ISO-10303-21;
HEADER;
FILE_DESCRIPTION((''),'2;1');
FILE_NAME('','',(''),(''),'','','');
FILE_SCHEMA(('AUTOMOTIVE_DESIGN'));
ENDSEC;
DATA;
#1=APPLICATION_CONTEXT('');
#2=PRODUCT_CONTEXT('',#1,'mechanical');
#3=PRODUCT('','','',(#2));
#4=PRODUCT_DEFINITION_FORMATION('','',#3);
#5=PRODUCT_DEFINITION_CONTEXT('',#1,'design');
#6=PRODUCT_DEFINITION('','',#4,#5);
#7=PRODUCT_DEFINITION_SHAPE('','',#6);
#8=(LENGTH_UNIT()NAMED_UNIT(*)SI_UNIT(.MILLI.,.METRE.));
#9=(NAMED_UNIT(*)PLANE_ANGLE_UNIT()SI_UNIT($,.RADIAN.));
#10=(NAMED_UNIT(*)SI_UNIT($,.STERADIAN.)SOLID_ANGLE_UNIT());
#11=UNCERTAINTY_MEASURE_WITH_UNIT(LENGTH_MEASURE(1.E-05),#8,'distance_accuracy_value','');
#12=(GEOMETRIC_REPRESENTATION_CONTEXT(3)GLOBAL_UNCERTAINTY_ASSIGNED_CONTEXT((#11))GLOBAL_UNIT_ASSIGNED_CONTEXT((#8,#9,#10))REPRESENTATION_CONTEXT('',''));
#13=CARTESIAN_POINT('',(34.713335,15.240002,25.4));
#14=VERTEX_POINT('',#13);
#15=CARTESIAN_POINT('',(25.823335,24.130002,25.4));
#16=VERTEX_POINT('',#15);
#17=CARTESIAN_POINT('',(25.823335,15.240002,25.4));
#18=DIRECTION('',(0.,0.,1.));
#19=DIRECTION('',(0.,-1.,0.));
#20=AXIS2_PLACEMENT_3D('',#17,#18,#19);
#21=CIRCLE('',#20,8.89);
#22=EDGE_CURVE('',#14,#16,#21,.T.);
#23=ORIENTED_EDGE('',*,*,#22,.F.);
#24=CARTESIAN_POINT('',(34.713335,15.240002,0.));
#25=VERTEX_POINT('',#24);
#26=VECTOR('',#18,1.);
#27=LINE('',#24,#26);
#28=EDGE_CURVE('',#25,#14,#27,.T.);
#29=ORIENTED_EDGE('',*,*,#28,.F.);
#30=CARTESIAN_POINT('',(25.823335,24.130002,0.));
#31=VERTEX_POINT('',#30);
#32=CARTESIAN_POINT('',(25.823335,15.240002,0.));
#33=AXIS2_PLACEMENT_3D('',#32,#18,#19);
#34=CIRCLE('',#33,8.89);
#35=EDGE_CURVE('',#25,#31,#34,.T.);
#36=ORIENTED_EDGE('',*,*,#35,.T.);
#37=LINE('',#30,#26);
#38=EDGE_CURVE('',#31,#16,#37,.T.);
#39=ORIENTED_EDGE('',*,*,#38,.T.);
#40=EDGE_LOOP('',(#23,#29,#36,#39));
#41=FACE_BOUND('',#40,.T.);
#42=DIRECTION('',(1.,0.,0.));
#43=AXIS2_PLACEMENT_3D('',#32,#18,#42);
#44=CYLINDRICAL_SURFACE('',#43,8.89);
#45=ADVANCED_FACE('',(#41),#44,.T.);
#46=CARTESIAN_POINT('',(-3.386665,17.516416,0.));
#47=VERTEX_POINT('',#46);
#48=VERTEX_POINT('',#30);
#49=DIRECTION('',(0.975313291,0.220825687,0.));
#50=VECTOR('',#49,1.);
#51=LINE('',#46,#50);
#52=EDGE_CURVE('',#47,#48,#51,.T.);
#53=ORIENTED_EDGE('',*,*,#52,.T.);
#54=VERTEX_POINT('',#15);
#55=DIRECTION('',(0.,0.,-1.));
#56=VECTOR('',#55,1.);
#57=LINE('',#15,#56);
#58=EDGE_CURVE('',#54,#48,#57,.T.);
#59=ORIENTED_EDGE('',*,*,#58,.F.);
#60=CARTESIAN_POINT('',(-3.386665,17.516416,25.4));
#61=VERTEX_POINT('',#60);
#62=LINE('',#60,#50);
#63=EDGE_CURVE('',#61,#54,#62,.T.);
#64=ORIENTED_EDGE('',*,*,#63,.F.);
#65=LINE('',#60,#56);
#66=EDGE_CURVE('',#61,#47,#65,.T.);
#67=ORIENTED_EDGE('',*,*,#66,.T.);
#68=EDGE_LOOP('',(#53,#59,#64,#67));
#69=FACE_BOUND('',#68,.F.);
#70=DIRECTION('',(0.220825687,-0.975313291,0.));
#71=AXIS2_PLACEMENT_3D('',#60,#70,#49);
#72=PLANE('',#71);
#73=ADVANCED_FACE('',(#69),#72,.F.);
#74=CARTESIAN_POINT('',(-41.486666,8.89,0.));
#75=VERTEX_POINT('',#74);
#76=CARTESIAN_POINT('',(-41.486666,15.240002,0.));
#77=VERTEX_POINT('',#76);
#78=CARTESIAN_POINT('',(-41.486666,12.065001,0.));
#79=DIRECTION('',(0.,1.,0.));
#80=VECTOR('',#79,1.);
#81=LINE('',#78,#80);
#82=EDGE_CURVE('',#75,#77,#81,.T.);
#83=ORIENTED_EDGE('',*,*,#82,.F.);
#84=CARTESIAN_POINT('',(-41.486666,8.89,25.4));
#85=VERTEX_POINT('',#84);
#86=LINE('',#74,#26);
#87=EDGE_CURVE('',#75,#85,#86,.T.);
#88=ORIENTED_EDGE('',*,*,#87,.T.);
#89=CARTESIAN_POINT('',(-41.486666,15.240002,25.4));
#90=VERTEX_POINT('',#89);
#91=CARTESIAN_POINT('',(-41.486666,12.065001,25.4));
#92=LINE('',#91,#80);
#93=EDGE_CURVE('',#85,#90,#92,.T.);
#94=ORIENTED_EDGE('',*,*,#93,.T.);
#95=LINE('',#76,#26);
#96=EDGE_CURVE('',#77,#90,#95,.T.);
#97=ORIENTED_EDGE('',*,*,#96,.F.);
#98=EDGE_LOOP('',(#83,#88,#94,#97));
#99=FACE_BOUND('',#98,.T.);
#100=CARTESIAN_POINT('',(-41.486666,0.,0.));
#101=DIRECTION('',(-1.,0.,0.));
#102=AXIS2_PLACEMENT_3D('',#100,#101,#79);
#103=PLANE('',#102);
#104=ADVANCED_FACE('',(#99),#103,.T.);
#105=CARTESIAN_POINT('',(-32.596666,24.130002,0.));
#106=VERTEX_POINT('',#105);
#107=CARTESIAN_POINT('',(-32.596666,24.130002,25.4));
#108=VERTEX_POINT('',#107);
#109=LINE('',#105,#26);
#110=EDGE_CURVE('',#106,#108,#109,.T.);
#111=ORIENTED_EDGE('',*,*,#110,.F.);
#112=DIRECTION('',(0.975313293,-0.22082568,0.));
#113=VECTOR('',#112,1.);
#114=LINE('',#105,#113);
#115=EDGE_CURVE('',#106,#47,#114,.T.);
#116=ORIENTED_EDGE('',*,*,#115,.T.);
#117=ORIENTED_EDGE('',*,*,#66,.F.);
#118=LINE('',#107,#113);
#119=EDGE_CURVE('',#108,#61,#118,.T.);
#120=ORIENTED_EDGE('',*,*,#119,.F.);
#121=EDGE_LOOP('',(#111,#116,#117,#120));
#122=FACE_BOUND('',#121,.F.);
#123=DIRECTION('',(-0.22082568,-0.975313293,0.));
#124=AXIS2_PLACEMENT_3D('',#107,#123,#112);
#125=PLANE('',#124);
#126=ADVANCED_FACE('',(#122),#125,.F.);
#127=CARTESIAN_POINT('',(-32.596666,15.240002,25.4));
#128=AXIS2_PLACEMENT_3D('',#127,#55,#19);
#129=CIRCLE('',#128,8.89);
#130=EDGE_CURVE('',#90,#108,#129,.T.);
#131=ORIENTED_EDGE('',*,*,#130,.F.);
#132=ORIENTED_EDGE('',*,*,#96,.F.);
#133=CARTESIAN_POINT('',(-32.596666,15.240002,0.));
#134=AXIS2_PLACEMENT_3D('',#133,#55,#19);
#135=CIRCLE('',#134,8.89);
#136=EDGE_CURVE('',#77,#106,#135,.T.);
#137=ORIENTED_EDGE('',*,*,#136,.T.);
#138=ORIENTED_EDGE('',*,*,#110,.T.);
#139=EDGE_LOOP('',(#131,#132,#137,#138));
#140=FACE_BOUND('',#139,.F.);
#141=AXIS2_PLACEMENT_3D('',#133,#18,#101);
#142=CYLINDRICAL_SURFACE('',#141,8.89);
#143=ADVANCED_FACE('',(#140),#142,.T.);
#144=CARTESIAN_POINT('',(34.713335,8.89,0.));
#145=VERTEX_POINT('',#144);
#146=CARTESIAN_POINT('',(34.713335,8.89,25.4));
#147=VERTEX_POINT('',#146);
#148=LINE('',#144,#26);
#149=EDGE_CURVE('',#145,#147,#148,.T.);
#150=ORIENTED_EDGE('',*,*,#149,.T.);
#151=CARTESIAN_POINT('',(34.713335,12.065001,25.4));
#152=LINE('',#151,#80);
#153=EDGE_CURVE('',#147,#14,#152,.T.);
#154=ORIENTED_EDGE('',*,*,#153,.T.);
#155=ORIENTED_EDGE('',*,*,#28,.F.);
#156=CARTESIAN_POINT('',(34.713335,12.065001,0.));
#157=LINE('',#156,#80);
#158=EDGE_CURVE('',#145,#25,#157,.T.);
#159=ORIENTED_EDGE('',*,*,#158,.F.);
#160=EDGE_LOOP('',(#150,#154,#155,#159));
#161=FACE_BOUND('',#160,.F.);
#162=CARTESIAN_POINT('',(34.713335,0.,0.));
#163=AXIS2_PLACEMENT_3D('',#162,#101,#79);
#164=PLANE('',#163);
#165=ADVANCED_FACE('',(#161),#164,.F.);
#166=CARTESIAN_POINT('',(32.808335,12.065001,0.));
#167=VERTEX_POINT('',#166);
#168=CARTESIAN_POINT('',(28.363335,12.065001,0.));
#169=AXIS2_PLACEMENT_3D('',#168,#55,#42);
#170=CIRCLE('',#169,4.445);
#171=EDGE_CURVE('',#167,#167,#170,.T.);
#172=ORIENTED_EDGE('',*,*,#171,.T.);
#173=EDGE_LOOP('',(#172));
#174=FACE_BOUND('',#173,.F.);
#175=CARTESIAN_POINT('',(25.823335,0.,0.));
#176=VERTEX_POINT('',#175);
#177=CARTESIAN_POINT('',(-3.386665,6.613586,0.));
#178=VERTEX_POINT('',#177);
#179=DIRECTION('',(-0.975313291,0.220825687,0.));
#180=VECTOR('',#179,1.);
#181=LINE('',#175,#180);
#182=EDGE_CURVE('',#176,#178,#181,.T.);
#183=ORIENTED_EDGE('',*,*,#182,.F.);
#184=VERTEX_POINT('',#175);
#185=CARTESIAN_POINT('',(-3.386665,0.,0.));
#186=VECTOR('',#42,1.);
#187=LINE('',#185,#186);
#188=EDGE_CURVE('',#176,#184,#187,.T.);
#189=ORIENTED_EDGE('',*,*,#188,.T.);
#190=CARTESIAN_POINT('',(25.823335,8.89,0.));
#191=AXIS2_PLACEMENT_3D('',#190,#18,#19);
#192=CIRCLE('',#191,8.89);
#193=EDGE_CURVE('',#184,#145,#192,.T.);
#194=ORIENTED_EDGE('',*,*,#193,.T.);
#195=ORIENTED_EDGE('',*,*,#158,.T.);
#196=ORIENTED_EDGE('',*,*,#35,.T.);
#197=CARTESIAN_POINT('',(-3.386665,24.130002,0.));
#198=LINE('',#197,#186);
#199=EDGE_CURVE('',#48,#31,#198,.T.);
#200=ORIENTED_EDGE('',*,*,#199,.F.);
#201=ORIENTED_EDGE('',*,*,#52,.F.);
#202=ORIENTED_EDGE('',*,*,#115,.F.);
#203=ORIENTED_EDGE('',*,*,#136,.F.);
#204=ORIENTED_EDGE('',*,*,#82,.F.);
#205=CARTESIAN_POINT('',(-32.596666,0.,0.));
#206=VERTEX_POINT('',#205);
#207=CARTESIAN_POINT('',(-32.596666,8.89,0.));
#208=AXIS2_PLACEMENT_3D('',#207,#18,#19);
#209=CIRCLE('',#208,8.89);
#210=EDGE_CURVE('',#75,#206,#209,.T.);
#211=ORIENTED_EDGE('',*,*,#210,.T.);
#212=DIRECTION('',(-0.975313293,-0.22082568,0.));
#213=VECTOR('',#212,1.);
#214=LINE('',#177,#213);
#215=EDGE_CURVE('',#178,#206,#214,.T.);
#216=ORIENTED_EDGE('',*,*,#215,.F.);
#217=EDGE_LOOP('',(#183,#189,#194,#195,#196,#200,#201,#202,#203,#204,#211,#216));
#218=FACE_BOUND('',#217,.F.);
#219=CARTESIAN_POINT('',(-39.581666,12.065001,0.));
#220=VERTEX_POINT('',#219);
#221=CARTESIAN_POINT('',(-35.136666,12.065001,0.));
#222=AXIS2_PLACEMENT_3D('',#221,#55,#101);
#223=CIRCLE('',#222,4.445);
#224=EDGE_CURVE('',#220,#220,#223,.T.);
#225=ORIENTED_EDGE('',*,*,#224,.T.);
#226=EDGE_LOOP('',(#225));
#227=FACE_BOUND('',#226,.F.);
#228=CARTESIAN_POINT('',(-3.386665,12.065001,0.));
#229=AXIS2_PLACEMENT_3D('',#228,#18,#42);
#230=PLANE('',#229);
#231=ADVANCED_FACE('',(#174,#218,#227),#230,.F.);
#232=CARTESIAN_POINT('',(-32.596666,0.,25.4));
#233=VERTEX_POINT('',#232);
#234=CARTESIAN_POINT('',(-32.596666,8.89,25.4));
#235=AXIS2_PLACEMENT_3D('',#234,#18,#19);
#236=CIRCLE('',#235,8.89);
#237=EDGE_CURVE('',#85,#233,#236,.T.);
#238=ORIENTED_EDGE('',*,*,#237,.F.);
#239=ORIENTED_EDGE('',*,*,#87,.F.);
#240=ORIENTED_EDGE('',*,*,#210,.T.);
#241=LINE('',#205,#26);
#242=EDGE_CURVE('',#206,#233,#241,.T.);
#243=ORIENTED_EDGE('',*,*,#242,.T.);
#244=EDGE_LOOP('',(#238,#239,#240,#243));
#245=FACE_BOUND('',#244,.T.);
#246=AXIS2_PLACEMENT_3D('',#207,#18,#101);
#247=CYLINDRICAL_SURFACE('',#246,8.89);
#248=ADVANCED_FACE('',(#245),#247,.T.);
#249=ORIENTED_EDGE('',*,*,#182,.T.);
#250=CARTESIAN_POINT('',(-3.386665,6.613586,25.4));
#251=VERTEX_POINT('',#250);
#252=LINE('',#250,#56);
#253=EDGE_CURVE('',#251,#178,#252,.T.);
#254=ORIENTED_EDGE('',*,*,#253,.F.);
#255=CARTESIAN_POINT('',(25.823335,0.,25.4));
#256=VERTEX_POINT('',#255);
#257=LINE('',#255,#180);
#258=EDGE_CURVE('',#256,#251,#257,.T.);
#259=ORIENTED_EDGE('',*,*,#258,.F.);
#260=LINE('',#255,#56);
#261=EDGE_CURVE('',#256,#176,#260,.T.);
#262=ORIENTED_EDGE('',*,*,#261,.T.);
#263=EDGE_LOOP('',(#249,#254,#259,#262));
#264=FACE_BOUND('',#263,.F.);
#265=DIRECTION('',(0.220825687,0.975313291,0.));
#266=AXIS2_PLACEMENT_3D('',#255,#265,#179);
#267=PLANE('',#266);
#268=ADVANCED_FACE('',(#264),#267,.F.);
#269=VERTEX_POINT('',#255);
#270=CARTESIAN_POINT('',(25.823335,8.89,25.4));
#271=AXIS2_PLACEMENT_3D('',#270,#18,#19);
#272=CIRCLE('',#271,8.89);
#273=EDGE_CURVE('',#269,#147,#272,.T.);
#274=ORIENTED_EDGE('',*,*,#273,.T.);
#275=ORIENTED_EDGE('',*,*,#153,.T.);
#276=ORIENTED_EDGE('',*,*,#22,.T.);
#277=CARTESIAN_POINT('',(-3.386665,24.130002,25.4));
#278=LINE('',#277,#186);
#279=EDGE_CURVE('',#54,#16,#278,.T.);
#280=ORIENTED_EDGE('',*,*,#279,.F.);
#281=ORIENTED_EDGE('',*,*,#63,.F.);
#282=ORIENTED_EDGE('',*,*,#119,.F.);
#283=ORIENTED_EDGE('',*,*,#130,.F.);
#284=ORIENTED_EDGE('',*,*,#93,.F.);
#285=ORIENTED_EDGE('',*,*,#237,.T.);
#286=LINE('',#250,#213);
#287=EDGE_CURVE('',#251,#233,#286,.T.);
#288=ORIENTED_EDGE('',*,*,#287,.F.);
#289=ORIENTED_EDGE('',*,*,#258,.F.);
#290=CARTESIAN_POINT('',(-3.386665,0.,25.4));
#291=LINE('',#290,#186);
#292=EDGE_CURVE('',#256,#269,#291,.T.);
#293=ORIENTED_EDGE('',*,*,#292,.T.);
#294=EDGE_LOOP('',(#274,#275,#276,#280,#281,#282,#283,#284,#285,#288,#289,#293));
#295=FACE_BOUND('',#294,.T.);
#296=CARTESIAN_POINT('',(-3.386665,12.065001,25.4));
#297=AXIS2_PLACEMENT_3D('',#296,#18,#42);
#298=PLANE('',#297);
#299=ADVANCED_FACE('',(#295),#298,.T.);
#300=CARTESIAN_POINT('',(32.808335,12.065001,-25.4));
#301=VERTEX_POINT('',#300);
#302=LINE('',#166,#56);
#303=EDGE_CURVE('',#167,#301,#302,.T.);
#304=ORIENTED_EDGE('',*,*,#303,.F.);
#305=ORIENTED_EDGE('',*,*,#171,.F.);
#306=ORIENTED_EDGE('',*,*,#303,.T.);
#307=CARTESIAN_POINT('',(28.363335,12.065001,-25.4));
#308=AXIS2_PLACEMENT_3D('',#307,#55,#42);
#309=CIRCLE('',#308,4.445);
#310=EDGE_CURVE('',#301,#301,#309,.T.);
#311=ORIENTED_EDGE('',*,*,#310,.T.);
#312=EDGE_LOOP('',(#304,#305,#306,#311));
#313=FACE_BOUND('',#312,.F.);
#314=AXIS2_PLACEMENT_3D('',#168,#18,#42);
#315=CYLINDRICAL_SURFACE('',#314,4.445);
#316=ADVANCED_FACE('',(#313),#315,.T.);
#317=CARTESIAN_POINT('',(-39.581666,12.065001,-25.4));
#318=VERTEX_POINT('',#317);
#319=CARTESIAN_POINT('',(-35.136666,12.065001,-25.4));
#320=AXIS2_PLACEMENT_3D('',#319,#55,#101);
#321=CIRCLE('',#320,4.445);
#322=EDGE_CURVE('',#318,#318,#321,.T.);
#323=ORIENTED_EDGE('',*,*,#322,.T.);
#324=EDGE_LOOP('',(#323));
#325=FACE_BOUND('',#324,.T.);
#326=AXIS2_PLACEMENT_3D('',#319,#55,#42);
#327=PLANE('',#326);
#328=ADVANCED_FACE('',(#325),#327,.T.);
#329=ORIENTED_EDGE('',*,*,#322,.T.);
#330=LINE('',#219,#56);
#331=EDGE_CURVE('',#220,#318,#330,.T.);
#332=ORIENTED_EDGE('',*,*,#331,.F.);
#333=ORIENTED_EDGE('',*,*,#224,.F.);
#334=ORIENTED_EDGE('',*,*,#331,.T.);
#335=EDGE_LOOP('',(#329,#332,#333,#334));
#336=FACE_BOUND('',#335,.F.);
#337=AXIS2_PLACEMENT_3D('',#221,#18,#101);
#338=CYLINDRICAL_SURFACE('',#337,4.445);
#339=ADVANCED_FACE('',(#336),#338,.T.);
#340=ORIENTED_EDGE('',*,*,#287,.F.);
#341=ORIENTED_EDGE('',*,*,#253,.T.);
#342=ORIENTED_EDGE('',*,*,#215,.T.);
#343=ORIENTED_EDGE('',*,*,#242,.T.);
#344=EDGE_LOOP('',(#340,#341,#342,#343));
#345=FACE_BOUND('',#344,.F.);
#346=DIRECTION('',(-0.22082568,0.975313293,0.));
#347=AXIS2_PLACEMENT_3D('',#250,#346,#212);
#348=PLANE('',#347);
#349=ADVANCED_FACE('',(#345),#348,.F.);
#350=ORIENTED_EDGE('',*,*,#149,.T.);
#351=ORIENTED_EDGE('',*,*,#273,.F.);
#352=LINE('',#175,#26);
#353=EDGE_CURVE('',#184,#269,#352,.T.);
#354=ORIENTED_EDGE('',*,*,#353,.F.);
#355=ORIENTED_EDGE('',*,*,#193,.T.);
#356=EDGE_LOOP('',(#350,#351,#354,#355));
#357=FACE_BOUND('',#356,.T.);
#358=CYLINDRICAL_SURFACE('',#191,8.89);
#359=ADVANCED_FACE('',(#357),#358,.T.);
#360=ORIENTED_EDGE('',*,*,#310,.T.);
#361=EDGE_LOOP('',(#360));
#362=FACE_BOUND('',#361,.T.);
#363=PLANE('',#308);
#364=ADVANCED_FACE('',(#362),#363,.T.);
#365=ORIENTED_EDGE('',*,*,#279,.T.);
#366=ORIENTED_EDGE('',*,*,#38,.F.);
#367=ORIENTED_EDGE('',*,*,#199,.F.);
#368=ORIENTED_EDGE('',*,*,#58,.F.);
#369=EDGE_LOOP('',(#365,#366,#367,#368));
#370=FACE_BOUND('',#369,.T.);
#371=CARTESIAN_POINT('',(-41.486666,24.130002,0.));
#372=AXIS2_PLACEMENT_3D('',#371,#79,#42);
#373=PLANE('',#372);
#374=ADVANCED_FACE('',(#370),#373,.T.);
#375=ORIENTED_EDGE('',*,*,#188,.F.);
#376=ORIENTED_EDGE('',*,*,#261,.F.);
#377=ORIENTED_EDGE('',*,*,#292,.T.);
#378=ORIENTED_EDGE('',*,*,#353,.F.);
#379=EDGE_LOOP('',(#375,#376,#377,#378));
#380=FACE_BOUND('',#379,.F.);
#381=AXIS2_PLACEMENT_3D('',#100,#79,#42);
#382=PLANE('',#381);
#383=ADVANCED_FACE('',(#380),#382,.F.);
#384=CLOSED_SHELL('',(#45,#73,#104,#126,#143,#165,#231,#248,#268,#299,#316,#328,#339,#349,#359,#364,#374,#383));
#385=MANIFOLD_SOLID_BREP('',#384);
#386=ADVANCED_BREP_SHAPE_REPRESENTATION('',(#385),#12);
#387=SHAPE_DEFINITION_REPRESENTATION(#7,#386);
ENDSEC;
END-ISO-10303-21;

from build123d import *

# Parameters (mm, degrees)
F0_W     = 76.200001
F0_H     = 24.130002
F1_DEPTH = 25.4
F2_R     = 8.89
F4_DEPTH = 25.4
F5_R     = 4.445
F6_DEPTH = 25.4


with BuildPart() as f1:
    # F0 (on Top) → F1 (new body)
    with BuildSketch(Plane.XY):
        with Locations((-3.386665, 12.065001)):
            Rectangle(F0_W, F0_H)
    extrude(amount=F1_DEPTH)

    # F2
    f2_edges = [f1.edges().sort_by_distance(p)[0] for p in [
        (-41.486666, 24.130002, 12.7),
        (34.713335, 24.130002, 12.7),
        (-41.486666, 0, 12.7),
        (34.713335, 0, 12.7),
    ]]
    fillet(f2_edges, radius=F2_R)

    # F3 (on face) → F4 (cut)
    with BuildSketch(Plane.XY.offset(25.4)):
        Polygon((25.823335, 24.130002), (-32.596666, 24.130002), (-3.386665, 17.516416), align=None)
        Polygon((25.823335, 0), (-3.386665, 6.613586), (-32.596666, 0), align=None)
    extrude(amount=-F4_DEPTH, mode=Mode.SUBTRACT)

    # F5 (on face) → F6 (join)
    with BuildSketch(Plane(origin=(0, 0, 0), x_dir=(1, 0, 0), z_dir=(0, 0, -1))):
        with BuildLine():
            ThreePointArc((-30.691666, -12.065001), (-35.136666, -7.620001), (-39.581666, -12.065001))
            ThreePointArc((-39.581666, -12.065001), (-35.136666, -16.510001), (-30.691666, -12.065001))
        make_face()
        with Locations((28.363335, -12.065001)):
            Circle(F5_R)
    extrude(amount=F6_DEPTH)


solid = f1.part
